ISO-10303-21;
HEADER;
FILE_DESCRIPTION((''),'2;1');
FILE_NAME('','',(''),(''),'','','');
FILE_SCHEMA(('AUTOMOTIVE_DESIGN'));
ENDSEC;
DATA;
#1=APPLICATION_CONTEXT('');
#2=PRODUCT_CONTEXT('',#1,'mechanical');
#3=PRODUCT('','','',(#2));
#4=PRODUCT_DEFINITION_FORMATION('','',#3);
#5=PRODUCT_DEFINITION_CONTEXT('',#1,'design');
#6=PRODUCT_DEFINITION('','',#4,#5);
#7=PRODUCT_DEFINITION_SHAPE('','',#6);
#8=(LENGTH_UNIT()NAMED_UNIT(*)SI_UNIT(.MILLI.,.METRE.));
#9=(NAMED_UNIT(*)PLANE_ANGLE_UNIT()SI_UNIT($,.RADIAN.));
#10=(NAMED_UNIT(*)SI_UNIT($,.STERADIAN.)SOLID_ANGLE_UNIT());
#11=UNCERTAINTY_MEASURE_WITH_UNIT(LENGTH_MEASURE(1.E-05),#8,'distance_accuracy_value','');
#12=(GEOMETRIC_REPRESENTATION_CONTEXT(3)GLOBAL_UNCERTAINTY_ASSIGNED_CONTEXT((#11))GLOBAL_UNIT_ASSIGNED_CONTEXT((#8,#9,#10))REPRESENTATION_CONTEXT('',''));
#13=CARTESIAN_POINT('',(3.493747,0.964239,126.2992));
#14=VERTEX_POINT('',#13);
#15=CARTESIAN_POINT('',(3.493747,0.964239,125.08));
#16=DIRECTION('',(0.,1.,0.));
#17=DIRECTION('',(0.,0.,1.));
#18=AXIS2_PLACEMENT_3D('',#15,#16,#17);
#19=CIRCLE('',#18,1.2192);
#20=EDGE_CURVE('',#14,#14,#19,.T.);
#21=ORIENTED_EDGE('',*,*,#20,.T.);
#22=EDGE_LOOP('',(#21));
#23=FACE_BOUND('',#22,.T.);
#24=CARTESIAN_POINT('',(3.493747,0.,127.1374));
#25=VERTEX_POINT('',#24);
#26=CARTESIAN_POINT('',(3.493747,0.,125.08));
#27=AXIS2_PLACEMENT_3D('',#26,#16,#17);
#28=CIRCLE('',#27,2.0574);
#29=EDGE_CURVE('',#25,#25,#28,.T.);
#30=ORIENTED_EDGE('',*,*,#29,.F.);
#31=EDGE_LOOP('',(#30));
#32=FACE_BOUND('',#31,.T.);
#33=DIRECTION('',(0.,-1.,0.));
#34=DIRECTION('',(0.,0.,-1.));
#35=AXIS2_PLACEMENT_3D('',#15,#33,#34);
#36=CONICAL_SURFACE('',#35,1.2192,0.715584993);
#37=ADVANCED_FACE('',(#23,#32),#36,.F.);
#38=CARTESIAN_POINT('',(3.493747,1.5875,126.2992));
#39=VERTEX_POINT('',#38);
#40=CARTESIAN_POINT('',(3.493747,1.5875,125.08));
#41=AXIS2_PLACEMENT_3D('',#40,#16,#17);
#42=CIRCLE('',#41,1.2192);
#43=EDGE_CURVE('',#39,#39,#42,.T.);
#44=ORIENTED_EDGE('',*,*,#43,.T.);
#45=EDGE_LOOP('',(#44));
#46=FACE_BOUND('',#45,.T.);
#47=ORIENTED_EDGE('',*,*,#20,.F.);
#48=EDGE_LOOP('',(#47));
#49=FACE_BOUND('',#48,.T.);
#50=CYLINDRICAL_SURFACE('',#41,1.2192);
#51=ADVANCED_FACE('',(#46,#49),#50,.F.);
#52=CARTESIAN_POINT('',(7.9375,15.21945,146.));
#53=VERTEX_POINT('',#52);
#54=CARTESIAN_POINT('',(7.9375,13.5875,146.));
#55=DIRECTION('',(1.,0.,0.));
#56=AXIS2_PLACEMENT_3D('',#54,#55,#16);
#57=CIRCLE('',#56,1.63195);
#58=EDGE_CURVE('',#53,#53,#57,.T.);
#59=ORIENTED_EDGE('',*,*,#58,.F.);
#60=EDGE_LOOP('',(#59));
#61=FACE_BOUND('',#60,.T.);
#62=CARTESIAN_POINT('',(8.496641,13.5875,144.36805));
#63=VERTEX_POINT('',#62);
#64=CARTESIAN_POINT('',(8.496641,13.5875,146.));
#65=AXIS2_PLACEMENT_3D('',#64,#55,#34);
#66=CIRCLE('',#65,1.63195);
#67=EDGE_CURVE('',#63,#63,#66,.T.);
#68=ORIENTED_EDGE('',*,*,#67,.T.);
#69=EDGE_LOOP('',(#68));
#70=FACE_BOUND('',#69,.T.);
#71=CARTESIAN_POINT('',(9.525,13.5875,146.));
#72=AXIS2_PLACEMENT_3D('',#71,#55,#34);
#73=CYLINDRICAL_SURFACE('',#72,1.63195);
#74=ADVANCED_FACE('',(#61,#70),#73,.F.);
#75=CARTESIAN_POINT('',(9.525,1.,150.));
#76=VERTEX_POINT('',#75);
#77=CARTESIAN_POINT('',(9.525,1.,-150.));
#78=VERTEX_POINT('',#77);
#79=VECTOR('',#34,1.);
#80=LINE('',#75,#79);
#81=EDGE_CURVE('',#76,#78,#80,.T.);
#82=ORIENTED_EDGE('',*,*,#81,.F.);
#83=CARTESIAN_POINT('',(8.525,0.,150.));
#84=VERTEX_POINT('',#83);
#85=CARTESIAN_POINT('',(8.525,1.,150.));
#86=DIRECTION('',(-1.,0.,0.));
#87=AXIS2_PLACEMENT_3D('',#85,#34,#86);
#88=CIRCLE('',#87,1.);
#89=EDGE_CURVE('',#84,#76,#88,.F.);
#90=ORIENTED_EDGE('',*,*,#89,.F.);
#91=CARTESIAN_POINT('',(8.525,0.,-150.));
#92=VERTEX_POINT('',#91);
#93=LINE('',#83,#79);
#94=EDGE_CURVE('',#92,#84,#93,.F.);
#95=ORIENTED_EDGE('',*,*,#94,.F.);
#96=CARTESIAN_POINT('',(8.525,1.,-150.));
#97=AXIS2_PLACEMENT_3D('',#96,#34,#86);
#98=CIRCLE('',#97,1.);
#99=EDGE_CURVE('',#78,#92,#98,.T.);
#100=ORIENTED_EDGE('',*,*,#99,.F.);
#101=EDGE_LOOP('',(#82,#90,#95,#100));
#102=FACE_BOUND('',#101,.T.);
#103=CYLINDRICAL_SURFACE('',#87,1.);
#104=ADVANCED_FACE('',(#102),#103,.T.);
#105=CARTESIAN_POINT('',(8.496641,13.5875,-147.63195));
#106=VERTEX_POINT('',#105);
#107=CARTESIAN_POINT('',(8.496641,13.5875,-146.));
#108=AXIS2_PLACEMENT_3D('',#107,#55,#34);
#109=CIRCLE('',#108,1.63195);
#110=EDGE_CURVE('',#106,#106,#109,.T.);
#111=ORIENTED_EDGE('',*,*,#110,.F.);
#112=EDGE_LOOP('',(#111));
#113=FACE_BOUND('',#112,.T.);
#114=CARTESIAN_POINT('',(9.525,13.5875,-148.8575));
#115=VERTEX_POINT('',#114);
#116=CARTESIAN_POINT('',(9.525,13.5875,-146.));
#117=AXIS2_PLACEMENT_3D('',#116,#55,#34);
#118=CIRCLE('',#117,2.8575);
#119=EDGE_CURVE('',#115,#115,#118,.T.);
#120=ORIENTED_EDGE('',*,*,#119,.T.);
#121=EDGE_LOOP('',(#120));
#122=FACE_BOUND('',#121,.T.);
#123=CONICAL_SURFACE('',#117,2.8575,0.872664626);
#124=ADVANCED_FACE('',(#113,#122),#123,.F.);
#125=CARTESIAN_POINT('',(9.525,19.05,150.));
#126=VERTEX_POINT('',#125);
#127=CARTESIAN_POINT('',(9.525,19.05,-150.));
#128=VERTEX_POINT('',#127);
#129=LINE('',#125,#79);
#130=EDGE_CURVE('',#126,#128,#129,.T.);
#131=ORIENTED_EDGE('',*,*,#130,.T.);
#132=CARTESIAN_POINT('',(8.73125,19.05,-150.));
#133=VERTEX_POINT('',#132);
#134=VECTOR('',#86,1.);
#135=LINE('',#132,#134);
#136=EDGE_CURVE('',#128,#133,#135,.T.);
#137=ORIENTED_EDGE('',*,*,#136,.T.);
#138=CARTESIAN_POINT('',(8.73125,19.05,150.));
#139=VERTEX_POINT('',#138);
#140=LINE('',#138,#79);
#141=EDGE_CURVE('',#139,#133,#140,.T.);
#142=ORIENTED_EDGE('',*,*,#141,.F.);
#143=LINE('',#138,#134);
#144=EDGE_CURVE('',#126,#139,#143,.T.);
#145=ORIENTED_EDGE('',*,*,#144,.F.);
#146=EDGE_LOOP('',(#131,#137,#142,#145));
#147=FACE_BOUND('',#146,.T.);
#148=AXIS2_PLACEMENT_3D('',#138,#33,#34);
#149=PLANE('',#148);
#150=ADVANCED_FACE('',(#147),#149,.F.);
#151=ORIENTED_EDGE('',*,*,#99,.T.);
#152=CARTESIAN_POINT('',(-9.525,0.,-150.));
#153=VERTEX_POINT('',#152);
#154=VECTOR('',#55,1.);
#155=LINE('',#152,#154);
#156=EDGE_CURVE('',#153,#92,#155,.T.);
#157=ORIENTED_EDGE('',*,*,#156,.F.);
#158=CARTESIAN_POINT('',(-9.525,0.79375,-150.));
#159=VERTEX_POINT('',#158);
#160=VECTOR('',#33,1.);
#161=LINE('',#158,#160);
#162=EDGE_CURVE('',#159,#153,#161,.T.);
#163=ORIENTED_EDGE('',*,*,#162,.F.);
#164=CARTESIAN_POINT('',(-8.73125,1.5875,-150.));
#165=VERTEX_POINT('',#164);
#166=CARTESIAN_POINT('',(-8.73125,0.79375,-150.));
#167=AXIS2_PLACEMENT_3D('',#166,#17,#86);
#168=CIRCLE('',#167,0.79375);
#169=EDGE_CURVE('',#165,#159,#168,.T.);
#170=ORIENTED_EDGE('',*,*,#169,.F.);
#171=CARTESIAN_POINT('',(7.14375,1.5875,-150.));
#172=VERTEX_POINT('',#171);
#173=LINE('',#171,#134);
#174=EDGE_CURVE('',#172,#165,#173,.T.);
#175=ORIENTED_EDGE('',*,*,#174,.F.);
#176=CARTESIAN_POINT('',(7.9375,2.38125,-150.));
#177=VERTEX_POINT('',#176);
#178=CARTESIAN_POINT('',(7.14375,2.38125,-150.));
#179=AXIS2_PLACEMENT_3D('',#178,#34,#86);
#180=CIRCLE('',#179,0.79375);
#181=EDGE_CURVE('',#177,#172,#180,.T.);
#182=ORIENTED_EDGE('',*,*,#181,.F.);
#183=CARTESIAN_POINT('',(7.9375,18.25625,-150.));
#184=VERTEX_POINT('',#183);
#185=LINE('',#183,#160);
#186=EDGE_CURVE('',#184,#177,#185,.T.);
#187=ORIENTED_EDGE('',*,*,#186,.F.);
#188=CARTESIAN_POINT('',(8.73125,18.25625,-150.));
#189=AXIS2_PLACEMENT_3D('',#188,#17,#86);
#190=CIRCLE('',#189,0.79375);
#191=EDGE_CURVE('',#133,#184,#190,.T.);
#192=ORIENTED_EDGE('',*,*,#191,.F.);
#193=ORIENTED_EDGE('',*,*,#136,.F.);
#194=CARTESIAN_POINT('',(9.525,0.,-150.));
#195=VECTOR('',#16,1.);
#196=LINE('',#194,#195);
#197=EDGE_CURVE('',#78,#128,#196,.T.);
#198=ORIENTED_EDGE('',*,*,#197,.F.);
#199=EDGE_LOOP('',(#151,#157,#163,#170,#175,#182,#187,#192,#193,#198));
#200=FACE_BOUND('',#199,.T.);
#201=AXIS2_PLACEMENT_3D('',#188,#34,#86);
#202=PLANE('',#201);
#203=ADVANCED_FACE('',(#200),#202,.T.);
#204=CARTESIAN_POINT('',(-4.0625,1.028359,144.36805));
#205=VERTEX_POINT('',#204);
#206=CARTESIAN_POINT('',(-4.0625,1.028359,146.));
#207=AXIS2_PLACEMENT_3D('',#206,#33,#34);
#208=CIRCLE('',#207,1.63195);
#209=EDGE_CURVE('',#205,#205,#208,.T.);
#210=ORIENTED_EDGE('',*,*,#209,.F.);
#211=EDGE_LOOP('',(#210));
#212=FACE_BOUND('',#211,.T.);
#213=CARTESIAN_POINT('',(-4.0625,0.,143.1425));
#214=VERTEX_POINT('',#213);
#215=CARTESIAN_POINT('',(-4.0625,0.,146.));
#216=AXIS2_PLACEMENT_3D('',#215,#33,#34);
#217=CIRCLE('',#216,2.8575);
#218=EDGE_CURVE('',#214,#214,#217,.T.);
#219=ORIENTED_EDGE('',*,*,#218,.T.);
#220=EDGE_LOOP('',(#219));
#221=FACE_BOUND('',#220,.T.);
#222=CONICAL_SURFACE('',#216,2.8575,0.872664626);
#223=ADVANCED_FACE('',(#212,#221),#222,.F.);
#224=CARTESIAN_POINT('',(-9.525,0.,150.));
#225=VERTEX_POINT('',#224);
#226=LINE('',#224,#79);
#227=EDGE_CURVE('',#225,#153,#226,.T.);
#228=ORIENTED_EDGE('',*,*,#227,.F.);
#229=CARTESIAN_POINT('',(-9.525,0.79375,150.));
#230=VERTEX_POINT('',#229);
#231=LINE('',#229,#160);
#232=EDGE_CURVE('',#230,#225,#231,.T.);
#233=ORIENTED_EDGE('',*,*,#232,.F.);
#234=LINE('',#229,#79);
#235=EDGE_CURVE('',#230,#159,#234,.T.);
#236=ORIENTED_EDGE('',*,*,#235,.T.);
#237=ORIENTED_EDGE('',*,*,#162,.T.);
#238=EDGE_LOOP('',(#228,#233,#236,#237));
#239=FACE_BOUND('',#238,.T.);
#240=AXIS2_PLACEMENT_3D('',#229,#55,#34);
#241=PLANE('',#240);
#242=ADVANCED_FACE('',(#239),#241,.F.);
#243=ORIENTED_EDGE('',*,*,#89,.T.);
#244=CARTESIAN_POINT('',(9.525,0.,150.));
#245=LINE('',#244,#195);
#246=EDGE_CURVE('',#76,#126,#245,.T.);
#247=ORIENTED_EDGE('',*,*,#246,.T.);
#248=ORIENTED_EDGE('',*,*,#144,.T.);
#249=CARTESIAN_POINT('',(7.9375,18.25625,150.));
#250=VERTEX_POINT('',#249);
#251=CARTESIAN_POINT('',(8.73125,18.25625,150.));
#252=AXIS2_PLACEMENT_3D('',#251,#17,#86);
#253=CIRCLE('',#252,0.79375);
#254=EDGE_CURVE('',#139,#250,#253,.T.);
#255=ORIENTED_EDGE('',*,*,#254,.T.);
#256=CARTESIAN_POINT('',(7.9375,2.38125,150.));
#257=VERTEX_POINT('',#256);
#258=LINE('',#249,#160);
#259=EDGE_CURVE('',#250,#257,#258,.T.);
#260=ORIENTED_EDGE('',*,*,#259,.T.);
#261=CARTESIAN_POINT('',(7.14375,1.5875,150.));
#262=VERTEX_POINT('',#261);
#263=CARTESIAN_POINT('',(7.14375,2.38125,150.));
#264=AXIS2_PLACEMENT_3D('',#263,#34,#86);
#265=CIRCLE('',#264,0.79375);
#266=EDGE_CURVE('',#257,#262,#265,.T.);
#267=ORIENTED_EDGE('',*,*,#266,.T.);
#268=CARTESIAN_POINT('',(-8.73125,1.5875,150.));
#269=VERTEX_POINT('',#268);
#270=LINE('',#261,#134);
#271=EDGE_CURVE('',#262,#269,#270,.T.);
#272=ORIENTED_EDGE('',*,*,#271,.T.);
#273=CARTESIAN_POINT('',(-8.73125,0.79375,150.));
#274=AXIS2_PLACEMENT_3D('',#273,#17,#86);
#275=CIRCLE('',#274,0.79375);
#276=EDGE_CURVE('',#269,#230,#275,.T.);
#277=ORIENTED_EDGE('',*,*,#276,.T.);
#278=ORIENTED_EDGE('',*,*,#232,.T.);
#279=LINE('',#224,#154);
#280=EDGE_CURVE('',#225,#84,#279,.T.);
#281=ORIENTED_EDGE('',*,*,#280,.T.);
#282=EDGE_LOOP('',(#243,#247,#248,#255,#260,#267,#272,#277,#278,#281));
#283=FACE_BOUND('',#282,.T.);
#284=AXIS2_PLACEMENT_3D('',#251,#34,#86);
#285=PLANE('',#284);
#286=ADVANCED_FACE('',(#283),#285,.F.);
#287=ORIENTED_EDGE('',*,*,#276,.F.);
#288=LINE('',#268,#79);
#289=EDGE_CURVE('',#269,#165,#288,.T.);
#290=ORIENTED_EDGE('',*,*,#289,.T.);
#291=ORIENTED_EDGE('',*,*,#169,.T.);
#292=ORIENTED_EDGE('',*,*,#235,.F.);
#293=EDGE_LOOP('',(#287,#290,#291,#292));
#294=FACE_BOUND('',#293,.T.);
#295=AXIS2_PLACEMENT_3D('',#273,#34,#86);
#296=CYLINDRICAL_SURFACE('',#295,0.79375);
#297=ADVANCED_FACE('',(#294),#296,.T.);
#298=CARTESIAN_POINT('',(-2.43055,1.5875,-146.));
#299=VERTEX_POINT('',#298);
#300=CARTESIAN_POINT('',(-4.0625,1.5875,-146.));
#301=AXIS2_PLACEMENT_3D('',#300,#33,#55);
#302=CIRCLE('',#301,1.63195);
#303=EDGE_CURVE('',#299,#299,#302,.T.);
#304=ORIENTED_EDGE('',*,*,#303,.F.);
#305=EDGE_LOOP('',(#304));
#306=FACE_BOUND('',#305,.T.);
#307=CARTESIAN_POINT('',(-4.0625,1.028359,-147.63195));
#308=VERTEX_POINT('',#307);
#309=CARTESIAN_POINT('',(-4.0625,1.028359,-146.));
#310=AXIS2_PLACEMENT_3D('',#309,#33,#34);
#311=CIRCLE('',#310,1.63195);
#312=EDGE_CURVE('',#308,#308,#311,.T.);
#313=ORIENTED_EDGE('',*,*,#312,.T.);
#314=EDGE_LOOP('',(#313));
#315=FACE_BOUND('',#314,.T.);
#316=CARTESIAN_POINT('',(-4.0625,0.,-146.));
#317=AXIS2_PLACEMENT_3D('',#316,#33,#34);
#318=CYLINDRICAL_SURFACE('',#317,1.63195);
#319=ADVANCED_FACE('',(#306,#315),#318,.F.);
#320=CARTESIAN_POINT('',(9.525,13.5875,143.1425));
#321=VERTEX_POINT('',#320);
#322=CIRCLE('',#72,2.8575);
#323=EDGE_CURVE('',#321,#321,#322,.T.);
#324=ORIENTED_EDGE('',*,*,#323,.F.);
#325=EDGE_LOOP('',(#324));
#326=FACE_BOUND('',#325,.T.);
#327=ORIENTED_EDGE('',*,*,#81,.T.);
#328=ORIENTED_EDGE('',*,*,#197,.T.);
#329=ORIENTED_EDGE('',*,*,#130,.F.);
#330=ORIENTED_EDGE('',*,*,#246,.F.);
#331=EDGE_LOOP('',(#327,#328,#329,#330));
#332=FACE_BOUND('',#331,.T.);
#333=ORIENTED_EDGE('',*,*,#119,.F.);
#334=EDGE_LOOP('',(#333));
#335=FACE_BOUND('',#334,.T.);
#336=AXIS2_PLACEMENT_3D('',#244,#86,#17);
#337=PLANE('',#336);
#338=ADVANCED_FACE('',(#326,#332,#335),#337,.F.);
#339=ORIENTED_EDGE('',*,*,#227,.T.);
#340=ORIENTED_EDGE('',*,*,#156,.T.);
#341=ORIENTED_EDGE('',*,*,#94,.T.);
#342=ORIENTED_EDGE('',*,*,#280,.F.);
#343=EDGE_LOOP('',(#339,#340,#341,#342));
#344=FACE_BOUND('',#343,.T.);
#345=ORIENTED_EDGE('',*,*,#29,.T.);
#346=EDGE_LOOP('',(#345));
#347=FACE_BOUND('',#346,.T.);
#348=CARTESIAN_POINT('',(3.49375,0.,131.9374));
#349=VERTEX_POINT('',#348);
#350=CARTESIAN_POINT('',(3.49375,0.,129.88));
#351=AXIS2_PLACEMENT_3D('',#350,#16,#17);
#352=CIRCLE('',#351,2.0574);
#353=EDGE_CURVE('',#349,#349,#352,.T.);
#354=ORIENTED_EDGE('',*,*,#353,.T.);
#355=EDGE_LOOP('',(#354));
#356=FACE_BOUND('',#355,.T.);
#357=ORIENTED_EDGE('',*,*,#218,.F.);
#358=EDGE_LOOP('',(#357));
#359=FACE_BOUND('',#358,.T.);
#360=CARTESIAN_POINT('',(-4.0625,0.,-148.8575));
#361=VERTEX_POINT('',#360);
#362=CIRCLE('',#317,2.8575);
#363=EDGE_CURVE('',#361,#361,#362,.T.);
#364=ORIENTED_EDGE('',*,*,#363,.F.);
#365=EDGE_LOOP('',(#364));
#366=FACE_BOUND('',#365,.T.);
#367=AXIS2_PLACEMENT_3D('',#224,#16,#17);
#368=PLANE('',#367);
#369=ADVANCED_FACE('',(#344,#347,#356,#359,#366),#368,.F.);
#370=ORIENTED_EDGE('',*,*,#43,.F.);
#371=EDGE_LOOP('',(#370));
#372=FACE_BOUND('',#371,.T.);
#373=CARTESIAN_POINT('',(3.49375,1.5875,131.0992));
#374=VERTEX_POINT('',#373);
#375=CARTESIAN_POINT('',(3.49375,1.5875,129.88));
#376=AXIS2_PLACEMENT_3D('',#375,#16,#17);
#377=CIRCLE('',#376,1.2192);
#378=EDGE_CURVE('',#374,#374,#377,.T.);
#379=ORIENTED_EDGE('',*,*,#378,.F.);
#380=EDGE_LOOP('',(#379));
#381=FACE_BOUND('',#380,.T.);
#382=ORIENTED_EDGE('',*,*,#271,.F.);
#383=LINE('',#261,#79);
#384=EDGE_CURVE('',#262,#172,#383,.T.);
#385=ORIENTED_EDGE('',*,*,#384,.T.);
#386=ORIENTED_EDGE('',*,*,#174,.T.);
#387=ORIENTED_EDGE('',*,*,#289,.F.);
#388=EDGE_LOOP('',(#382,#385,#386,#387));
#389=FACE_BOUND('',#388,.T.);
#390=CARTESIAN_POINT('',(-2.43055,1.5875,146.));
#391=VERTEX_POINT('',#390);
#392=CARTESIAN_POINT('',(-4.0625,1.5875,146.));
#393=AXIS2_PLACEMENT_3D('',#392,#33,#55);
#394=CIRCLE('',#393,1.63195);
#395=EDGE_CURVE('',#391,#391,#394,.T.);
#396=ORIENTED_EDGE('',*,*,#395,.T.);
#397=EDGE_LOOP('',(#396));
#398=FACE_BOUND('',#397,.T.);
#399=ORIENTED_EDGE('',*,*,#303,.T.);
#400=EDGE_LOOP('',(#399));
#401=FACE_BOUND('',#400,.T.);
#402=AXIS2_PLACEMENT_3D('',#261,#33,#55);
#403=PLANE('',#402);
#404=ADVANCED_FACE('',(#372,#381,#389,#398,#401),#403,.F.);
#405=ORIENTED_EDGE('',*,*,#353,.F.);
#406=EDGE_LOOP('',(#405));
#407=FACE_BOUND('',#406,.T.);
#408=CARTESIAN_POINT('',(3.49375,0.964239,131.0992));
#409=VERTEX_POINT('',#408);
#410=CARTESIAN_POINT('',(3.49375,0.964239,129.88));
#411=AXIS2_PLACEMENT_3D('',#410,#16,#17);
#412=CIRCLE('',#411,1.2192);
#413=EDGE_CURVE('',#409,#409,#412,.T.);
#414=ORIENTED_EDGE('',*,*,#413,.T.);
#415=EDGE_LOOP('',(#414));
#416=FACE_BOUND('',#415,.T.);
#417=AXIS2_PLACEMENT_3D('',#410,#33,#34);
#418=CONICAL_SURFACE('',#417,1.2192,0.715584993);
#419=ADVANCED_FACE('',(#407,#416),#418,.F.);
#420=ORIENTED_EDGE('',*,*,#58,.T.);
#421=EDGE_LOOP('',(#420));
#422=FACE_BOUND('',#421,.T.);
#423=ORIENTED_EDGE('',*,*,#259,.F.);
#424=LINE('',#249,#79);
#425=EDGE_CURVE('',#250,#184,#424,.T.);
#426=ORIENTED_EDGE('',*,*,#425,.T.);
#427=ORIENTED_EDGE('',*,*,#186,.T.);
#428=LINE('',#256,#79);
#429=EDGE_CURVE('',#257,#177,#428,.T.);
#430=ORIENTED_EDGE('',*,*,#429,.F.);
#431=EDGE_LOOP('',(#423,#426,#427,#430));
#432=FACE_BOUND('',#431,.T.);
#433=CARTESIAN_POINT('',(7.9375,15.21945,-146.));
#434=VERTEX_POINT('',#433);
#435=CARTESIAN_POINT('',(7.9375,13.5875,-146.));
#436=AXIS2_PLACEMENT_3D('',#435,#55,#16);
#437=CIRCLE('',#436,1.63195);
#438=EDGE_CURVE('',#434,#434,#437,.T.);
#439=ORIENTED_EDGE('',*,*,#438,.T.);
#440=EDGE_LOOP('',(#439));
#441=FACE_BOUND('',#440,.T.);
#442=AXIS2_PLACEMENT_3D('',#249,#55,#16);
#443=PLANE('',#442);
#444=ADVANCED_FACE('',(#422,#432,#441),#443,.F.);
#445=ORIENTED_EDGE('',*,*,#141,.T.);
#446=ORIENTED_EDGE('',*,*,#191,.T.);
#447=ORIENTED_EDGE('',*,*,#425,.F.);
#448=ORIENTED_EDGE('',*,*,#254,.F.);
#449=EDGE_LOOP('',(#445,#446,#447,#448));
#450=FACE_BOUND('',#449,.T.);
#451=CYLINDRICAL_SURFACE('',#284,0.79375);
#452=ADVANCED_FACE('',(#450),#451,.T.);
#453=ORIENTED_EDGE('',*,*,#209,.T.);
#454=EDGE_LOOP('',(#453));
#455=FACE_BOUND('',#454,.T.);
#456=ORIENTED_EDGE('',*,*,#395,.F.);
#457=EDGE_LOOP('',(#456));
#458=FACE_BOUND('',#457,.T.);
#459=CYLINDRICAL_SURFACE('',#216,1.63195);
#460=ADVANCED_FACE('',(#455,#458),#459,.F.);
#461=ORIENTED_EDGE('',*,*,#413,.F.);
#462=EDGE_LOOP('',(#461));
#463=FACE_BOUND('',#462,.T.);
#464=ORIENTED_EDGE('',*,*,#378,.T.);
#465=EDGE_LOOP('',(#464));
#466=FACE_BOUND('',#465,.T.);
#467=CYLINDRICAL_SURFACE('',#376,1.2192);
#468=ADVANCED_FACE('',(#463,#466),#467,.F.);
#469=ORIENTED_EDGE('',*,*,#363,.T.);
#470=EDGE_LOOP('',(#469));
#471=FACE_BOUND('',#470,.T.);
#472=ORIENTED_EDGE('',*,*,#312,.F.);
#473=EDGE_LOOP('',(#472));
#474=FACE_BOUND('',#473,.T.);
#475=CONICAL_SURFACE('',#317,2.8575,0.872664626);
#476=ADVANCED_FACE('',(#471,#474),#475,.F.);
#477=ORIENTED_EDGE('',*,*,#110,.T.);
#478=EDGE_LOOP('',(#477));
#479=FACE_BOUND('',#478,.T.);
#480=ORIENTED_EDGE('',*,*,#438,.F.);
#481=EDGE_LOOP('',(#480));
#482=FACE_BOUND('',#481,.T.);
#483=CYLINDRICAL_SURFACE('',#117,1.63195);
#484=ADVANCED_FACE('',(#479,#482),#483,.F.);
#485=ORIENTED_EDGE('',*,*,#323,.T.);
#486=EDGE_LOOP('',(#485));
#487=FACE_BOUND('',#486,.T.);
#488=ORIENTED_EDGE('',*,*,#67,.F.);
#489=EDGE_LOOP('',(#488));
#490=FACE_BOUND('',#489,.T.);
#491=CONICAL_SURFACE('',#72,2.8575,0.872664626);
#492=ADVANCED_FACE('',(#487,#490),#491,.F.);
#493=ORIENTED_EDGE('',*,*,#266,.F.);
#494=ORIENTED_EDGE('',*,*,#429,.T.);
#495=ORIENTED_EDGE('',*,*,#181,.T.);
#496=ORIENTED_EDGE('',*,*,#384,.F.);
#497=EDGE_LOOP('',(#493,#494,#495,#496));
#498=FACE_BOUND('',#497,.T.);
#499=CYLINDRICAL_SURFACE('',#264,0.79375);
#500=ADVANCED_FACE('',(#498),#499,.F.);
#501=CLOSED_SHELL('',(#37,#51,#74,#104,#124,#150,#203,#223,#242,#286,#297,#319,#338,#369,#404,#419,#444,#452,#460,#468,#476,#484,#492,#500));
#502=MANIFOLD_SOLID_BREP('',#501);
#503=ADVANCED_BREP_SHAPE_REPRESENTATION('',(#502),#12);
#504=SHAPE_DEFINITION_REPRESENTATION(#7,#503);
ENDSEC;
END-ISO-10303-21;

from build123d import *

# Parameters (mm, degrees)
BOSS_EXTRUDE1_DEPTH                               = 150
CSK_FOR_4_FLAT_HEAD_MACHINE_SCREW_100_D           = 3.2639
CSK_FOR_4_FLAT_HEAD_MACHINE_SCREW_100_CSINK_D     = 5.715
CSK_FOR_4_FLAT_HEAD_MACHINE_SCREW_100_CSINK_ANGLE = 100
CSK_FOR_4_FLAT_HEAD_MACHINE_SCREW_2_D             = 3.2639
CSK_FOR_4_FLAT_HEAD_MACHINE_SCREW_2_CSINK_D       = 5.715
CSK_FOR_4_FLAT_HEAD_MACHINE_SCREW_2_CSINK_ANGLE   = 100
FILLET1_R                                         = 1
F_2_CLEARANCE_HOLE1_AT_2_COUNT                    = 2
F_2_CLEARANCE_HOLE1_AT_2_PITCH                    = 4.8


with BuildPart() as part:
    # Sketch2 → Boss-Extrude1 (new, symmetric)
    with BuildSketch(Plane.XY):
        with BuildLine():
            Line((-9.525, 0), (9.525, 0))
            Line((9.525, 0), (9.525, 19.05))
            Line((9.525, 19.05), (8.73125, 19.05))
            ThreePointArc((8.73125, 19.05), (8.169983992, 18.817516008), (7.9375, 18.25625))
            Line((7.9375, 18.25625), (7.9375, 2.38125))
            ThreePointArc((7.9375, 2.38125), (7.705016008, 1.819983992), (7.14375, 1.5875))
            Line((7.14375, 1.5875), (-8.73125, 1.5875))
            ThreePointArc((-8.73125, 1.5875), (-9.292516008, 1.355016008), (-9.525, 0.79375))
            Line((-9.525, 0.79375), (-9.525, 0))
        make_face()
    extrude(amount=BOSS_EXTRUDE1_DEPTH, both=True)

    # CSK for _4 Flat Head Machine Screw _100 (through all)
    with Locations(Plane(origin=(0, 0, 0), x_dir=(-1, 0, 0), z_dir=(0, -1, 0))):
        with Locations((4.0625, -146), (4.0625, 146)):
            CounterSinkHole(CSK_FOR_4_FLAT_HEAD_MACHINE_SCREW_100_D / 2, CSK_FOR_4_FLAT_HEAD_MACHINE_SCREW_100_CSINK_D / 2, counter_sink_angle=CSK_FOR_4_FLAT_HEAD_MACHINE_SCREW_100_CSINK_ANGLE)

    # CSK for _4 Flat Head Machine Screw _ 2 (through all)
    with Locations(Plane(origin=(9.525, 0, 0), x_dir=(0, 0, -1), z_dir=(1, 0, 0))):
        with Locations((-146, 13.5875), (146, 13.5875)):
            CounterSinkHole(CSK_FOR_4_FLAT_HEAD_MACHINE_SCREW_2_D / 2, CSK_FOR_4_FLAT_HEAD_MACHINE_SCREW_2_CSINK_D / 2, counter_sink_angle=CSK_FOR_4_FLAT_HEAD_MACHINE_SCREW_2_CSINK_ANGLE)

    # Fillet1
    fillet1_edges = [part.edges().sort_by_distance(p)[0] for p in [
        (9.525, 0, 0),
    ]]
    fillet(fillet1_edges, radius=FILLET1_R)

    # Sketch30 → #2 Clearance Hole1 (revolve, cut)
    with BuildSketch(Plane(origin=(3.49375, 1.5875, 129.88), x_dir=(0, 0, 1), z_dir=(1, 0, 0))):
        Polygon((0, 0), (0, 1.5875), (2.0574, 1.5875), (1.2192, 0.623261201), (1.2192, 0), align=None)
    f_2_clearance_hole1 = revolve(axis=Axis((3.49375, 7.9375, 129.88), (0, -1, 0)), mode=Mode.SUBTRACT)

    # #2 Clearance Hole1 at 2: #2 Clearance Hole1 ×2
    with Locations(*[(0, 0, -i * F_2_CLEARANCE_HOLE1_AT_2_PITCH) for i in range(1, F_2_CLEARANCE_HOLE1_AT_2_COUNT)]):
        add(f_2_clearance_hole1, mode=Mode.SUBTRACT)


solid = part.part
